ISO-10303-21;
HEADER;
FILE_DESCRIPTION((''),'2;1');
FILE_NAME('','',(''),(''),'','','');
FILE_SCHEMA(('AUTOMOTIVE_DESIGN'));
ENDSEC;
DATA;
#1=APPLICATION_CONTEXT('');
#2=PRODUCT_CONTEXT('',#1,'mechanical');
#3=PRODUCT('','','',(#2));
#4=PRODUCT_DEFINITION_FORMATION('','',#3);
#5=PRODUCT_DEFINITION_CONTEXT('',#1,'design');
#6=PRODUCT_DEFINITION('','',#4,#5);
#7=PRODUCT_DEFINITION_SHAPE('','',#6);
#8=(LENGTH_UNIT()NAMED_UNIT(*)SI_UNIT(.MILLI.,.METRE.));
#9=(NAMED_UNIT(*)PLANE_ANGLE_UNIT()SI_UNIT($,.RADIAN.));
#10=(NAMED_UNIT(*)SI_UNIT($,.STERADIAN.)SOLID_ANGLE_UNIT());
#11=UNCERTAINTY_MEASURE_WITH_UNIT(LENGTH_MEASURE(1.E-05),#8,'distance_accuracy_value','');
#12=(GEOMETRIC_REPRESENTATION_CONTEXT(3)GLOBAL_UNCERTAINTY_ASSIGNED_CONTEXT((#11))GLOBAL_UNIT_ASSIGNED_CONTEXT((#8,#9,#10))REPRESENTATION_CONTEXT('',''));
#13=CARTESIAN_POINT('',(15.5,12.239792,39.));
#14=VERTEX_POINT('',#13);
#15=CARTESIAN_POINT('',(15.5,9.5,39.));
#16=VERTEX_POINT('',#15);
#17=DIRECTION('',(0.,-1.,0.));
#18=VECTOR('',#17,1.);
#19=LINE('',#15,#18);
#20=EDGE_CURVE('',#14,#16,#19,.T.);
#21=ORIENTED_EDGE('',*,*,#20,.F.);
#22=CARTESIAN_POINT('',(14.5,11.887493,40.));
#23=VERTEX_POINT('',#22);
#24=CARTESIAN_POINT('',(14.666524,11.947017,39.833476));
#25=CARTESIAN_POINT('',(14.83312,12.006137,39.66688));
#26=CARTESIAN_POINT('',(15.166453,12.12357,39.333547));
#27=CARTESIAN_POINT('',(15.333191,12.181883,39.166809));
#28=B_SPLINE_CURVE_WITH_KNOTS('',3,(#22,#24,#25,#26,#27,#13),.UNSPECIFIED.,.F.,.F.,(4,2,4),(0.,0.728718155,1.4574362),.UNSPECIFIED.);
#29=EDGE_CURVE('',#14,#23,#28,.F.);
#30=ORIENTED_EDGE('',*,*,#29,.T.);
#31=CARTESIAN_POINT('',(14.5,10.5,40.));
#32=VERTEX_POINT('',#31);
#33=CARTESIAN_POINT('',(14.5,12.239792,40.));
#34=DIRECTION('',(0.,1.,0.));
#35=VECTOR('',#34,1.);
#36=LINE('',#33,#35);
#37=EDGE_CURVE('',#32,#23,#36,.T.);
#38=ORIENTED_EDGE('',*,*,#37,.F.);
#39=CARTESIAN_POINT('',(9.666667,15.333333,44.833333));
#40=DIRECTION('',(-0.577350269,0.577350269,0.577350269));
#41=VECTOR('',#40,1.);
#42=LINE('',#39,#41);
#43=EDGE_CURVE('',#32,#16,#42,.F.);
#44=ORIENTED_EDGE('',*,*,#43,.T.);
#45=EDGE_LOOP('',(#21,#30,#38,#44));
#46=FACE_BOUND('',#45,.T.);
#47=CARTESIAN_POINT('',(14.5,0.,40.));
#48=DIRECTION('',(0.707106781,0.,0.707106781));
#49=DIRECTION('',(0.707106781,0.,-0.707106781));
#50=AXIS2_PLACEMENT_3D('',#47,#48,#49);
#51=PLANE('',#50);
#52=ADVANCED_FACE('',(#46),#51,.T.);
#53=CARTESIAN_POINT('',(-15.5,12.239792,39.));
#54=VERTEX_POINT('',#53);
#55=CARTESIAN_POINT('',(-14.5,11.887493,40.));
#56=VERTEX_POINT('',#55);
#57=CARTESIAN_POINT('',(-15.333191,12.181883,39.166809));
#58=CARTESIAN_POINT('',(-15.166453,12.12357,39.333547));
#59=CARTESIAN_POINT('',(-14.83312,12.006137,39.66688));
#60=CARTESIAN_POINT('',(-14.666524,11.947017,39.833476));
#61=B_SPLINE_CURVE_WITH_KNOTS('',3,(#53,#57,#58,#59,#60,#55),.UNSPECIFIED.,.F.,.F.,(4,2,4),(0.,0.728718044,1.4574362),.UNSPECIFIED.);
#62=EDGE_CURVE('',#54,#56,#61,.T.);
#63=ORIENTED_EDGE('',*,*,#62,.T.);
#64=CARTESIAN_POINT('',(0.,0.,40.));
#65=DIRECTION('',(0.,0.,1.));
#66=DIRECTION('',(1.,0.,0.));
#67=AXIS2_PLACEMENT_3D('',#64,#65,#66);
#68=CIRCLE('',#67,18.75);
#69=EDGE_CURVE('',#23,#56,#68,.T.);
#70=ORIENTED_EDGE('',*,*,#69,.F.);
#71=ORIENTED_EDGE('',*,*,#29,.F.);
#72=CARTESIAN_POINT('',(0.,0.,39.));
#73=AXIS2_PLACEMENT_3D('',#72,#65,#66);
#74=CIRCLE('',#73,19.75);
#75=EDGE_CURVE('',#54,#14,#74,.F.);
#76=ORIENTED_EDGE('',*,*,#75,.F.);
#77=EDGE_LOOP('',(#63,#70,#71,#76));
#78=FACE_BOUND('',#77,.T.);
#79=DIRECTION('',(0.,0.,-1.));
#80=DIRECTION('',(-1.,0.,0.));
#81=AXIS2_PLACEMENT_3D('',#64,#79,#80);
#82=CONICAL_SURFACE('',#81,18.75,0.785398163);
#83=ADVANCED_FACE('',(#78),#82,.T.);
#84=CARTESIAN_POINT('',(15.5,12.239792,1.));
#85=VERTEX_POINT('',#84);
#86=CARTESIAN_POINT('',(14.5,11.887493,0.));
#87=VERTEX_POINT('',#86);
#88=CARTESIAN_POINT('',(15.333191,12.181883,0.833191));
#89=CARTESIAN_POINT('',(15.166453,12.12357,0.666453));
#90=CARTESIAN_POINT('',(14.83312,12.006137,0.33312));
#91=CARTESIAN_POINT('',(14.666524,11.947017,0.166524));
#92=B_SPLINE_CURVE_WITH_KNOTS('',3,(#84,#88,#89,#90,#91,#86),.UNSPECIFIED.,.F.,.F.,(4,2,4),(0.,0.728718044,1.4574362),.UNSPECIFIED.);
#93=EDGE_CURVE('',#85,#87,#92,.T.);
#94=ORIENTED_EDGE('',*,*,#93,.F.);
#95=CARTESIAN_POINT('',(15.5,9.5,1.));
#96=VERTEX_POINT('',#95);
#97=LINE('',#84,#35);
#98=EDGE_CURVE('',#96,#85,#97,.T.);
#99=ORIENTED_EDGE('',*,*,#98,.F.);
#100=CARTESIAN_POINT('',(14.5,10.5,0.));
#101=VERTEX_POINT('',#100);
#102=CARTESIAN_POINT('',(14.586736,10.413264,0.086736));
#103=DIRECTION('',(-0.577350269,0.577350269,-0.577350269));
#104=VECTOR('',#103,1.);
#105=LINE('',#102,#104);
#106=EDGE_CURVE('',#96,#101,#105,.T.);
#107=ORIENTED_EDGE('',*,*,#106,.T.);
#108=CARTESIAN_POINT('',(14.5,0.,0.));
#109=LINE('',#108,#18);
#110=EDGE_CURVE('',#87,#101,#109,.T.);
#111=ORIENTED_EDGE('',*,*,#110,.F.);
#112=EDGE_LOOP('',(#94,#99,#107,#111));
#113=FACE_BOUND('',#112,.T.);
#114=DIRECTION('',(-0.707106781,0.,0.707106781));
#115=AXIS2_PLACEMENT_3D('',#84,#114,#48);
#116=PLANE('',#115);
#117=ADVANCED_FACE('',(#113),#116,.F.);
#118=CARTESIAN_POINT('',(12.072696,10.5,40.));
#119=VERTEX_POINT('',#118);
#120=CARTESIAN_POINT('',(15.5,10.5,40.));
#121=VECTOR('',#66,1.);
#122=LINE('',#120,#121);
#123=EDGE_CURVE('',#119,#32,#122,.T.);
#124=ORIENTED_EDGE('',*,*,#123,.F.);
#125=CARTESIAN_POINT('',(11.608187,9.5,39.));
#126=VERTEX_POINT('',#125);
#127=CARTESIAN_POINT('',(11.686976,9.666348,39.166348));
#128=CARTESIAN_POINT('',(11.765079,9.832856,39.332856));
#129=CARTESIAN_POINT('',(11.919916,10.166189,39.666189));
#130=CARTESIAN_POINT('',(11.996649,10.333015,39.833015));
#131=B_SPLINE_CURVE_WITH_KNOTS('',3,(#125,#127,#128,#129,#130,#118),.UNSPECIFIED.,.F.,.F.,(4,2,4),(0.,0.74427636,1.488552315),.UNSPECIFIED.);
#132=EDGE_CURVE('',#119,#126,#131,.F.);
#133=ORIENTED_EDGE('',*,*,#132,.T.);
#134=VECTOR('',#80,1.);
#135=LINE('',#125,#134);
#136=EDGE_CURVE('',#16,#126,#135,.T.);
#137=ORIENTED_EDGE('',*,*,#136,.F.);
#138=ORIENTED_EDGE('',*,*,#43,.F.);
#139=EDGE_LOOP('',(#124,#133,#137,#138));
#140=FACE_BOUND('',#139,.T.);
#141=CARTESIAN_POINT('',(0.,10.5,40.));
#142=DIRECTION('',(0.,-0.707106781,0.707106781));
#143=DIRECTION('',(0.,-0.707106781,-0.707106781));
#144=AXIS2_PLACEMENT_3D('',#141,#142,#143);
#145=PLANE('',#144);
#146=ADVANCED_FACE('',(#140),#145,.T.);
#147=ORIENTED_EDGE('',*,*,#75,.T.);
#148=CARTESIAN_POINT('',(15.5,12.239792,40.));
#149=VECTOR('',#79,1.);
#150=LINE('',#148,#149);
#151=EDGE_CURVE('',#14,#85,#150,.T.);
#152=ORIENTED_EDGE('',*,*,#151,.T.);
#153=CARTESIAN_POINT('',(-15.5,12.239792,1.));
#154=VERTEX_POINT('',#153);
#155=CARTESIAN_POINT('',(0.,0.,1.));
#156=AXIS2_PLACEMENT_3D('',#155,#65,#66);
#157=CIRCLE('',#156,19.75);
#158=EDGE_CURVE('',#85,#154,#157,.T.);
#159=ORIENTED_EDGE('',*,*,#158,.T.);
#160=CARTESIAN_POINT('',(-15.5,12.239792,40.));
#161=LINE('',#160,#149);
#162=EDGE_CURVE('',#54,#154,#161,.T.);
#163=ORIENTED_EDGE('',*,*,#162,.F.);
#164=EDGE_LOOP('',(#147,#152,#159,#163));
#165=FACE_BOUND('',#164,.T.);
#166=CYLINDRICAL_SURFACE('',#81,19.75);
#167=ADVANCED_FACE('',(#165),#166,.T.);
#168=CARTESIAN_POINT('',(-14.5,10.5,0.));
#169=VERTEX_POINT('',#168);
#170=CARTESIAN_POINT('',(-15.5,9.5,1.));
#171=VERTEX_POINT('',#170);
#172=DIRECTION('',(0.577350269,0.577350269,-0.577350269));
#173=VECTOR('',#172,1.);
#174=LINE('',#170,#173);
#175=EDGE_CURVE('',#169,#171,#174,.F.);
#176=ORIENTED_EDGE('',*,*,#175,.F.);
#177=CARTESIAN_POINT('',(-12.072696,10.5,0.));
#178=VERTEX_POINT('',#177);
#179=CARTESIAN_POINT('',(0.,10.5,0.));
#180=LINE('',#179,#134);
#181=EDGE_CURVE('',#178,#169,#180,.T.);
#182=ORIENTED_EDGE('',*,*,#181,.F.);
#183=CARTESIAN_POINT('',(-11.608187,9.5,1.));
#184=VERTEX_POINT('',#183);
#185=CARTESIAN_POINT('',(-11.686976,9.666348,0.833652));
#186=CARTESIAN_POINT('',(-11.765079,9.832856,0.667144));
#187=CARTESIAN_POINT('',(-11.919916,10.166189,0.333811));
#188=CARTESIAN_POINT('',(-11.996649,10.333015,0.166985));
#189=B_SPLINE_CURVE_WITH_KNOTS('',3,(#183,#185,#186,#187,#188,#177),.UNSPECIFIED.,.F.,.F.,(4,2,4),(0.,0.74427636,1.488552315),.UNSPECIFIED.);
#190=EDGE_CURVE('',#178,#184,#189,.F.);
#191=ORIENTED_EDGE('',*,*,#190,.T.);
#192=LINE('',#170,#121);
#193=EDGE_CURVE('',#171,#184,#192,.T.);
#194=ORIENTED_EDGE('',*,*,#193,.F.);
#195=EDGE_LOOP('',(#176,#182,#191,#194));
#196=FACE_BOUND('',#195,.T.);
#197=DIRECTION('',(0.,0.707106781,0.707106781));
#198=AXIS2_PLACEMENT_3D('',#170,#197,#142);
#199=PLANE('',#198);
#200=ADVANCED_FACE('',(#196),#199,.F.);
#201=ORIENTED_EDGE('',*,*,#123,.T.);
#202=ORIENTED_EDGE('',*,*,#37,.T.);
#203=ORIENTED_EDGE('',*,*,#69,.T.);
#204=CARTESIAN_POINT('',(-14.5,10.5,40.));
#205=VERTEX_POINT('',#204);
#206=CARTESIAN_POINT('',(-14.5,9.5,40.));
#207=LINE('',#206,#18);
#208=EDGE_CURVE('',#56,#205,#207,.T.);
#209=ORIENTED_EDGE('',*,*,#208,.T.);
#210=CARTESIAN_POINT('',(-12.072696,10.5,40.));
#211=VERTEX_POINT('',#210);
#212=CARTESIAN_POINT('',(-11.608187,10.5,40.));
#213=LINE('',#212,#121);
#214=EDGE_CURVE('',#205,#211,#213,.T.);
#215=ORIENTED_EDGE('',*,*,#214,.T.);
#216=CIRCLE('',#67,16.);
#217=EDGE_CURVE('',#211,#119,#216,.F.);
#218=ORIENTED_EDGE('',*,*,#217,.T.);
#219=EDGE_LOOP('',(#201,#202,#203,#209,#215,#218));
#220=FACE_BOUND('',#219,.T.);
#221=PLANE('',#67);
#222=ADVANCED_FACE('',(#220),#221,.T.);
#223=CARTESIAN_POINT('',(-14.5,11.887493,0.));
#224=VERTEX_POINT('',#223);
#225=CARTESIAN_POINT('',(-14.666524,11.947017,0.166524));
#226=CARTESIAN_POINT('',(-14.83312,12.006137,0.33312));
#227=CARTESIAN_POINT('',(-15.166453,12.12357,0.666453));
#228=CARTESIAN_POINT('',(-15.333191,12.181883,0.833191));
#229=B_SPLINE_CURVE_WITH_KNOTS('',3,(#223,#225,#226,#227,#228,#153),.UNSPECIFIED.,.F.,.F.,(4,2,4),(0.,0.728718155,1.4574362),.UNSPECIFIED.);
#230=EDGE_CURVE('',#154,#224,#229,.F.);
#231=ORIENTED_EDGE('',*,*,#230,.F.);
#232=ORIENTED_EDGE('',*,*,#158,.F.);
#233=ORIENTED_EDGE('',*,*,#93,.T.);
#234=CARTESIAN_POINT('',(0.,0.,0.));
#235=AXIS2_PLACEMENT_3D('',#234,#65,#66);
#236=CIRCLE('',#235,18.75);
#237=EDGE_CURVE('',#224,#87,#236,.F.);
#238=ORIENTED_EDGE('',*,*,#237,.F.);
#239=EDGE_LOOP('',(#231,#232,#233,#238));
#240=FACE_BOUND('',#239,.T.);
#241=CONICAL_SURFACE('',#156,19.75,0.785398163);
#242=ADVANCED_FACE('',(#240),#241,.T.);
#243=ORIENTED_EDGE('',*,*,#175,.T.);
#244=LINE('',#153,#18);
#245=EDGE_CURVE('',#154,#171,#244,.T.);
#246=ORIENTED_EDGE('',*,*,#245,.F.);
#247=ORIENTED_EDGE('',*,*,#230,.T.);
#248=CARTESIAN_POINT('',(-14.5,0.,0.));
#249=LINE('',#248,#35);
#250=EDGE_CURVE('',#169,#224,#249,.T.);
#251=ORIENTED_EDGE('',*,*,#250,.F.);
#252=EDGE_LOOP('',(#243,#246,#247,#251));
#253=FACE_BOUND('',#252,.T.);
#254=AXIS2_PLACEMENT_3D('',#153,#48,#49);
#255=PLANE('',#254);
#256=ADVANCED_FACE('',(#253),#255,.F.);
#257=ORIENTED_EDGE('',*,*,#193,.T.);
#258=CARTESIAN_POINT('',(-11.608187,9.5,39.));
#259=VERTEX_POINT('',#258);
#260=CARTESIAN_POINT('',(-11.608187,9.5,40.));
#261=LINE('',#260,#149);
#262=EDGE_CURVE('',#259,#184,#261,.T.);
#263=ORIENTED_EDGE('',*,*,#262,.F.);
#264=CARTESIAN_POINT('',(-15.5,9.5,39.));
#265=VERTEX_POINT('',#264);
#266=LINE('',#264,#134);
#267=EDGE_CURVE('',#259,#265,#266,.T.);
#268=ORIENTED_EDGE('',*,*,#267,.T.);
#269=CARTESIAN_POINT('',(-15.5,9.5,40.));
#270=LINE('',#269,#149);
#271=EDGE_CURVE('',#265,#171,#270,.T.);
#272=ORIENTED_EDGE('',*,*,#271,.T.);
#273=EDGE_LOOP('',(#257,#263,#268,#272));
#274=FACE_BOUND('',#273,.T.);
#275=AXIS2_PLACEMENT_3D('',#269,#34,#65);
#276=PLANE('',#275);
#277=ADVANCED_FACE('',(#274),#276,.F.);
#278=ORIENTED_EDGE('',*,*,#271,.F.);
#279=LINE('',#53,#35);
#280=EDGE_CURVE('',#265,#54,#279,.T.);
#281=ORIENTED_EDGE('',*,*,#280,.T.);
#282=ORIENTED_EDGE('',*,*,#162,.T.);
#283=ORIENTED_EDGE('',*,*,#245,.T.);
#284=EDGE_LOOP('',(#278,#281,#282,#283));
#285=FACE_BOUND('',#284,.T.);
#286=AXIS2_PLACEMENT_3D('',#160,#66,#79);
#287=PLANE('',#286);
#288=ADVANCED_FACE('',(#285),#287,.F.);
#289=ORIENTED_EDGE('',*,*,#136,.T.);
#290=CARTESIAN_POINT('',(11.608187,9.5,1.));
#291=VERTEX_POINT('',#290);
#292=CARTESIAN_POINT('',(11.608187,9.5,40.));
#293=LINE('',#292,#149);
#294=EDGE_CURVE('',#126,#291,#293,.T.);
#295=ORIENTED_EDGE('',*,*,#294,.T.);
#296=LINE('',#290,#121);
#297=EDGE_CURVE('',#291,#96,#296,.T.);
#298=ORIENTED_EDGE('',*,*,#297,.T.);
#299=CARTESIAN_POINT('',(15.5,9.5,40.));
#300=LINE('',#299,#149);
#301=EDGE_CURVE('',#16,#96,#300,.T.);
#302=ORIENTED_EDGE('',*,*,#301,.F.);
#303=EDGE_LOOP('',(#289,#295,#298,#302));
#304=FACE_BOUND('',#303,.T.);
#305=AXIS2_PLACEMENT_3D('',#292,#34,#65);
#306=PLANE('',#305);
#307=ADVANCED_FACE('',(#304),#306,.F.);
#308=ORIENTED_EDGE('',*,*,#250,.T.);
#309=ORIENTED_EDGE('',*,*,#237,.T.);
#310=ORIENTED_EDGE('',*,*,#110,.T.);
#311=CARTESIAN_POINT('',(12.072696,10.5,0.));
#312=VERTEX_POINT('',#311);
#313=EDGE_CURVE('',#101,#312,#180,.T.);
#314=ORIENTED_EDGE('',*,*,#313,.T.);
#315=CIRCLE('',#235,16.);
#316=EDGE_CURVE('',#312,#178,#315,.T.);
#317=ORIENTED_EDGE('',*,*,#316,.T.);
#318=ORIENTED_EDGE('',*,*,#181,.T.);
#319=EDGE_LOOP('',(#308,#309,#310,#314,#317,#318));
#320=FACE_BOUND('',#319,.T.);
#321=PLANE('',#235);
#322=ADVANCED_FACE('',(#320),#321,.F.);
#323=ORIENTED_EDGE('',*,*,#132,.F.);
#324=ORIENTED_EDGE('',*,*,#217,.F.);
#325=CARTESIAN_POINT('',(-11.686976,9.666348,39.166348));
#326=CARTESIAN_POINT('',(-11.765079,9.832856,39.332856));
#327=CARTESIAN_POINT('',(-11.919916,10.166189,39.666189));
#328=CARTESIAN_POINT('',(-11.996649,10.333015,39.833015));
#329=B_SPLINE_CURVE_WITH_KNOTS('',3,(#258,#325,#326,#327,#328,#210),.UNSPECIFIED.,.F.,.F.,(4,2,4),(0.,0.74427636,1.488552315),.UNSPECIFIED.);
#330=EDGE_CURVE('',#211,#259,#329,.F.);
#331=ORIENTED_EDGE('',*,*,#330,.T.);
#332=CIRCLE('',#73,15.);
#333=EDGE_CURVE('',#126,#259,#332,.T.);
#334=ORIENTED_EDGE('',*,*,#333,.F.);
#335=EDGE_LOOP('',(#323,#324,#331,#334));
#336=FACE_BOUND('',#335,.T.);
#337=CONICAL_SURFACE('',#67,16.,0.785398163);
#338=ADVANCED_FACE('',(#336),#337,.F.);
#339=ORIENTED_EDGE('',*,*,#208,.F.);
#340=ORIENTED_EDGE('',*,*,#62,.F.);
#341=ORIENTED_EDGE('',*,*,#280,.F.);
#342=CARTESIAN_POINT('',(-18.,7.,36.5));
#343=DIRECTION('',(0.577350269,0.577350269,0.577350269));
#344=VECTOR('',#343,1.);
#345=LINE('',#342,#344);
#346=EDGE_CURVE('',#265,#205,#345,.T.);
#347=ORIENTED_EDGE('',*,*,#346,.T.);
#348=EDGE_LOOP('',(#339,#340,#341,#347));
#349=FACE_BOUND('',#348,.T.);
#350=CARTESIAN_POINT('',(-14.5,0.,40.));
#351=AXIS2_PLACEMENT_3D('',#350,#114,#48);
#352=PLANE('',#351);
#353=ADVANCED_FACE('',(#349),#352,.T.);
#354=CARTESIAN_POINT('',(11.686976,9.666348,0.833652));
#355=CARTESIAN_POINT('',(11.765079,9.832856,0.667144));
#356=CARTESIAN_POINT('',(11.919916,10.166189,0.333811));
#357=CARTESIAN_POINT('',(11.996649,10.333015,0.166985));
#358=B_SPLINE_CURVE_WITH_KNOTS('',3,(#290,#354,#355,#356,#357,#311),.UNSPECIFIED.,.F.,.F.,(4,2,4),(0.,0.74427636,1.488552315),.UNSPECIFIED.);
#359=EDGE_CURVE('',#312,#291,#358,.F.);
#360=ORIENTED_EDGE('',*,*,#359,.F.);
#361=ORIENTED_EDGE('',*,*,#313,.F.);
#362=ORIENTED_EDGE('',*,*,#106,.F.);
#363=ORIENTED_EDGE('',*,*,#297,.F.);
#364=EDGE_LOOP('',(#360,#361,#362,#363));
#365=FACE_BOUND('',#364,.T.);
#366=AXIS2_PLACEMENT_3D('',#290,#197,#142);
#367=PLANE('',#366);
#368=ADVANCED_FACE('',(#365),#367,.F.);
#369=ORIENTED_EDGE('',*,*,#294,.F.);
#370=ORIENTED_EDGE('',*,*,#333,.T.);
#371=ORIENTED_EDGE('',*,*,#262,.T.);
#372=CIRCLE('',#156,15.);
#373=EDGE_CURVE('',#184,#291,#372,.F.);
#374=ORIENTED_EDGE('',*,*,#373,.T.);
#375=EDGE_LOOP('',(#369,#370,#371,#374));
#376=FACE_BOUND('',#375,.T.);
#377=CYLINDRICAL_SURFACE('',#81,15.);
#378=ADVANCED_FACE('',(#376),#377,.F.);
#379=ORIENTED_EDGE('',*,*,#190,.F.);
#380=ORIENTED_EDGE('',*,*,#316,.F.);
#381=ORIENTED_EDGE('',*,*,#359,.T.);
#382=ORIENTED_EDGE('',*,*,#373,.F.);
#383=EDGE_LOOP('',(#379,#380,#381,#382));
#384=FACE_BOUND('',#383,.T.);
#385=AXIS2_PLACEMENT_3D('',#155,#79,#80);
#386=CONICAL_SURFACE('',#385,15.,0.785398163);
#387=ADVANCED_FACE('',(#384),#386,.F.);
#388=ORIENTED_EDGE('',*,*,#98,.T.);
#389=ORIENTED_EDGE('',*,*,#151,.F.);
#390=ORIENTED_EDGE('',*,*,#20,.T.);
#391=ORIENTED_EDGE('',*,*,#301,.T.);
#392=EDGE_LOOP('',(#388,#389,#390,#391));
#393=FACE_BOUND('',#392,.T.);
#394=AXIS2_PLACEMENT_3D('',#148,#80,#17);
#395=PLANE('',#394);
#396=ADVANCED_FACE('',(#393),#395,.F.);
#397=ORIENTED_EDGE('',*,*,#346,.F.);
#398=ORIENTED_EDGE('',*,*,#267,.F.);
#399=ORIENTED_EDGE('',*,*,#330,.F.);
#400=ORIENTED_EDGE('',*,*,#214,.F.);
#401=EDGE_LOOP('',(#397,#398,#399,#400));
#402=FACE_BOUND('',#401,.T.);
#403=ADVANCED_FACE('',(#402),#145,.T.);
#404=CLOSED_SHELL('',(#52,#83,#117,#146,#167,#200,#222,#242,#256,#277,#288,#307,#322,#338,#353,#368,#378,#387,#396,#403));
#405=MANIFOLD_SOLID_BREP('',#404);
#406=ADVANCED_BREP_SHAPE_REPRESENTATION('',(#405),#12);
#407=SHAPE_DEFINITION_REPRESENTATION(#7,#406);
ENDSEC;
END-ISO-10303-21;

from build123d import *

# Parameters (mm, degrees)
BASE_EXTRUSION_DEPTH = 40
CHANFREIN1_SIZE      = 1


with BuildPart() as part:
    # Esquisse1 → Base-Extrusion (new body)
    with BuildSketch(Plane.XY):
        with BuildLine():
            Line((15.5, 12.239791665), (15.5, 9.5))
            Line((15.5, 9.5), (11.608186766, 9.5))
            ThreePointArc((11.608186766, 9.5), (0, 15), (-11.608186766, 9.5))
            Line((-11.608186766, 9.5), (-15.5, 9.5))
            Line((-15.5, 9.5), (-15.5, 12.239791665))
            ThreePointArc((-15.5, 12.239791665), (0, 19.75), (15.5, 12.239791665))
        make_face()
    extrude(amount=BASE_EXTRUSION_DEPTH)

    # Chanfrein1
    chanfrein1_edges = [part.edges().sort_by_distance(p)[0] for p in [
        (15.5, 10.869895832, 0),
        (15.5, 10.869895832, 40),
        (13.554093383, 9.5, 0),
        (13.554093383, 9.5, 40),
        (0, 15, 0),
        (0, 15, 40),
        (-13.554093383, 9.5, 0),
        (-13.554093383, 9.5, 40),
        (-15.5, 10.869895832, 0),
        (-15.5, 10.869895832, 40),
        (0, 19.75, 0),
        (0, 19.75, 40),
    ]]
    chamfer(chanfrein1_edges, length=CHANFREIN1_SIZE)


solid = part.part
